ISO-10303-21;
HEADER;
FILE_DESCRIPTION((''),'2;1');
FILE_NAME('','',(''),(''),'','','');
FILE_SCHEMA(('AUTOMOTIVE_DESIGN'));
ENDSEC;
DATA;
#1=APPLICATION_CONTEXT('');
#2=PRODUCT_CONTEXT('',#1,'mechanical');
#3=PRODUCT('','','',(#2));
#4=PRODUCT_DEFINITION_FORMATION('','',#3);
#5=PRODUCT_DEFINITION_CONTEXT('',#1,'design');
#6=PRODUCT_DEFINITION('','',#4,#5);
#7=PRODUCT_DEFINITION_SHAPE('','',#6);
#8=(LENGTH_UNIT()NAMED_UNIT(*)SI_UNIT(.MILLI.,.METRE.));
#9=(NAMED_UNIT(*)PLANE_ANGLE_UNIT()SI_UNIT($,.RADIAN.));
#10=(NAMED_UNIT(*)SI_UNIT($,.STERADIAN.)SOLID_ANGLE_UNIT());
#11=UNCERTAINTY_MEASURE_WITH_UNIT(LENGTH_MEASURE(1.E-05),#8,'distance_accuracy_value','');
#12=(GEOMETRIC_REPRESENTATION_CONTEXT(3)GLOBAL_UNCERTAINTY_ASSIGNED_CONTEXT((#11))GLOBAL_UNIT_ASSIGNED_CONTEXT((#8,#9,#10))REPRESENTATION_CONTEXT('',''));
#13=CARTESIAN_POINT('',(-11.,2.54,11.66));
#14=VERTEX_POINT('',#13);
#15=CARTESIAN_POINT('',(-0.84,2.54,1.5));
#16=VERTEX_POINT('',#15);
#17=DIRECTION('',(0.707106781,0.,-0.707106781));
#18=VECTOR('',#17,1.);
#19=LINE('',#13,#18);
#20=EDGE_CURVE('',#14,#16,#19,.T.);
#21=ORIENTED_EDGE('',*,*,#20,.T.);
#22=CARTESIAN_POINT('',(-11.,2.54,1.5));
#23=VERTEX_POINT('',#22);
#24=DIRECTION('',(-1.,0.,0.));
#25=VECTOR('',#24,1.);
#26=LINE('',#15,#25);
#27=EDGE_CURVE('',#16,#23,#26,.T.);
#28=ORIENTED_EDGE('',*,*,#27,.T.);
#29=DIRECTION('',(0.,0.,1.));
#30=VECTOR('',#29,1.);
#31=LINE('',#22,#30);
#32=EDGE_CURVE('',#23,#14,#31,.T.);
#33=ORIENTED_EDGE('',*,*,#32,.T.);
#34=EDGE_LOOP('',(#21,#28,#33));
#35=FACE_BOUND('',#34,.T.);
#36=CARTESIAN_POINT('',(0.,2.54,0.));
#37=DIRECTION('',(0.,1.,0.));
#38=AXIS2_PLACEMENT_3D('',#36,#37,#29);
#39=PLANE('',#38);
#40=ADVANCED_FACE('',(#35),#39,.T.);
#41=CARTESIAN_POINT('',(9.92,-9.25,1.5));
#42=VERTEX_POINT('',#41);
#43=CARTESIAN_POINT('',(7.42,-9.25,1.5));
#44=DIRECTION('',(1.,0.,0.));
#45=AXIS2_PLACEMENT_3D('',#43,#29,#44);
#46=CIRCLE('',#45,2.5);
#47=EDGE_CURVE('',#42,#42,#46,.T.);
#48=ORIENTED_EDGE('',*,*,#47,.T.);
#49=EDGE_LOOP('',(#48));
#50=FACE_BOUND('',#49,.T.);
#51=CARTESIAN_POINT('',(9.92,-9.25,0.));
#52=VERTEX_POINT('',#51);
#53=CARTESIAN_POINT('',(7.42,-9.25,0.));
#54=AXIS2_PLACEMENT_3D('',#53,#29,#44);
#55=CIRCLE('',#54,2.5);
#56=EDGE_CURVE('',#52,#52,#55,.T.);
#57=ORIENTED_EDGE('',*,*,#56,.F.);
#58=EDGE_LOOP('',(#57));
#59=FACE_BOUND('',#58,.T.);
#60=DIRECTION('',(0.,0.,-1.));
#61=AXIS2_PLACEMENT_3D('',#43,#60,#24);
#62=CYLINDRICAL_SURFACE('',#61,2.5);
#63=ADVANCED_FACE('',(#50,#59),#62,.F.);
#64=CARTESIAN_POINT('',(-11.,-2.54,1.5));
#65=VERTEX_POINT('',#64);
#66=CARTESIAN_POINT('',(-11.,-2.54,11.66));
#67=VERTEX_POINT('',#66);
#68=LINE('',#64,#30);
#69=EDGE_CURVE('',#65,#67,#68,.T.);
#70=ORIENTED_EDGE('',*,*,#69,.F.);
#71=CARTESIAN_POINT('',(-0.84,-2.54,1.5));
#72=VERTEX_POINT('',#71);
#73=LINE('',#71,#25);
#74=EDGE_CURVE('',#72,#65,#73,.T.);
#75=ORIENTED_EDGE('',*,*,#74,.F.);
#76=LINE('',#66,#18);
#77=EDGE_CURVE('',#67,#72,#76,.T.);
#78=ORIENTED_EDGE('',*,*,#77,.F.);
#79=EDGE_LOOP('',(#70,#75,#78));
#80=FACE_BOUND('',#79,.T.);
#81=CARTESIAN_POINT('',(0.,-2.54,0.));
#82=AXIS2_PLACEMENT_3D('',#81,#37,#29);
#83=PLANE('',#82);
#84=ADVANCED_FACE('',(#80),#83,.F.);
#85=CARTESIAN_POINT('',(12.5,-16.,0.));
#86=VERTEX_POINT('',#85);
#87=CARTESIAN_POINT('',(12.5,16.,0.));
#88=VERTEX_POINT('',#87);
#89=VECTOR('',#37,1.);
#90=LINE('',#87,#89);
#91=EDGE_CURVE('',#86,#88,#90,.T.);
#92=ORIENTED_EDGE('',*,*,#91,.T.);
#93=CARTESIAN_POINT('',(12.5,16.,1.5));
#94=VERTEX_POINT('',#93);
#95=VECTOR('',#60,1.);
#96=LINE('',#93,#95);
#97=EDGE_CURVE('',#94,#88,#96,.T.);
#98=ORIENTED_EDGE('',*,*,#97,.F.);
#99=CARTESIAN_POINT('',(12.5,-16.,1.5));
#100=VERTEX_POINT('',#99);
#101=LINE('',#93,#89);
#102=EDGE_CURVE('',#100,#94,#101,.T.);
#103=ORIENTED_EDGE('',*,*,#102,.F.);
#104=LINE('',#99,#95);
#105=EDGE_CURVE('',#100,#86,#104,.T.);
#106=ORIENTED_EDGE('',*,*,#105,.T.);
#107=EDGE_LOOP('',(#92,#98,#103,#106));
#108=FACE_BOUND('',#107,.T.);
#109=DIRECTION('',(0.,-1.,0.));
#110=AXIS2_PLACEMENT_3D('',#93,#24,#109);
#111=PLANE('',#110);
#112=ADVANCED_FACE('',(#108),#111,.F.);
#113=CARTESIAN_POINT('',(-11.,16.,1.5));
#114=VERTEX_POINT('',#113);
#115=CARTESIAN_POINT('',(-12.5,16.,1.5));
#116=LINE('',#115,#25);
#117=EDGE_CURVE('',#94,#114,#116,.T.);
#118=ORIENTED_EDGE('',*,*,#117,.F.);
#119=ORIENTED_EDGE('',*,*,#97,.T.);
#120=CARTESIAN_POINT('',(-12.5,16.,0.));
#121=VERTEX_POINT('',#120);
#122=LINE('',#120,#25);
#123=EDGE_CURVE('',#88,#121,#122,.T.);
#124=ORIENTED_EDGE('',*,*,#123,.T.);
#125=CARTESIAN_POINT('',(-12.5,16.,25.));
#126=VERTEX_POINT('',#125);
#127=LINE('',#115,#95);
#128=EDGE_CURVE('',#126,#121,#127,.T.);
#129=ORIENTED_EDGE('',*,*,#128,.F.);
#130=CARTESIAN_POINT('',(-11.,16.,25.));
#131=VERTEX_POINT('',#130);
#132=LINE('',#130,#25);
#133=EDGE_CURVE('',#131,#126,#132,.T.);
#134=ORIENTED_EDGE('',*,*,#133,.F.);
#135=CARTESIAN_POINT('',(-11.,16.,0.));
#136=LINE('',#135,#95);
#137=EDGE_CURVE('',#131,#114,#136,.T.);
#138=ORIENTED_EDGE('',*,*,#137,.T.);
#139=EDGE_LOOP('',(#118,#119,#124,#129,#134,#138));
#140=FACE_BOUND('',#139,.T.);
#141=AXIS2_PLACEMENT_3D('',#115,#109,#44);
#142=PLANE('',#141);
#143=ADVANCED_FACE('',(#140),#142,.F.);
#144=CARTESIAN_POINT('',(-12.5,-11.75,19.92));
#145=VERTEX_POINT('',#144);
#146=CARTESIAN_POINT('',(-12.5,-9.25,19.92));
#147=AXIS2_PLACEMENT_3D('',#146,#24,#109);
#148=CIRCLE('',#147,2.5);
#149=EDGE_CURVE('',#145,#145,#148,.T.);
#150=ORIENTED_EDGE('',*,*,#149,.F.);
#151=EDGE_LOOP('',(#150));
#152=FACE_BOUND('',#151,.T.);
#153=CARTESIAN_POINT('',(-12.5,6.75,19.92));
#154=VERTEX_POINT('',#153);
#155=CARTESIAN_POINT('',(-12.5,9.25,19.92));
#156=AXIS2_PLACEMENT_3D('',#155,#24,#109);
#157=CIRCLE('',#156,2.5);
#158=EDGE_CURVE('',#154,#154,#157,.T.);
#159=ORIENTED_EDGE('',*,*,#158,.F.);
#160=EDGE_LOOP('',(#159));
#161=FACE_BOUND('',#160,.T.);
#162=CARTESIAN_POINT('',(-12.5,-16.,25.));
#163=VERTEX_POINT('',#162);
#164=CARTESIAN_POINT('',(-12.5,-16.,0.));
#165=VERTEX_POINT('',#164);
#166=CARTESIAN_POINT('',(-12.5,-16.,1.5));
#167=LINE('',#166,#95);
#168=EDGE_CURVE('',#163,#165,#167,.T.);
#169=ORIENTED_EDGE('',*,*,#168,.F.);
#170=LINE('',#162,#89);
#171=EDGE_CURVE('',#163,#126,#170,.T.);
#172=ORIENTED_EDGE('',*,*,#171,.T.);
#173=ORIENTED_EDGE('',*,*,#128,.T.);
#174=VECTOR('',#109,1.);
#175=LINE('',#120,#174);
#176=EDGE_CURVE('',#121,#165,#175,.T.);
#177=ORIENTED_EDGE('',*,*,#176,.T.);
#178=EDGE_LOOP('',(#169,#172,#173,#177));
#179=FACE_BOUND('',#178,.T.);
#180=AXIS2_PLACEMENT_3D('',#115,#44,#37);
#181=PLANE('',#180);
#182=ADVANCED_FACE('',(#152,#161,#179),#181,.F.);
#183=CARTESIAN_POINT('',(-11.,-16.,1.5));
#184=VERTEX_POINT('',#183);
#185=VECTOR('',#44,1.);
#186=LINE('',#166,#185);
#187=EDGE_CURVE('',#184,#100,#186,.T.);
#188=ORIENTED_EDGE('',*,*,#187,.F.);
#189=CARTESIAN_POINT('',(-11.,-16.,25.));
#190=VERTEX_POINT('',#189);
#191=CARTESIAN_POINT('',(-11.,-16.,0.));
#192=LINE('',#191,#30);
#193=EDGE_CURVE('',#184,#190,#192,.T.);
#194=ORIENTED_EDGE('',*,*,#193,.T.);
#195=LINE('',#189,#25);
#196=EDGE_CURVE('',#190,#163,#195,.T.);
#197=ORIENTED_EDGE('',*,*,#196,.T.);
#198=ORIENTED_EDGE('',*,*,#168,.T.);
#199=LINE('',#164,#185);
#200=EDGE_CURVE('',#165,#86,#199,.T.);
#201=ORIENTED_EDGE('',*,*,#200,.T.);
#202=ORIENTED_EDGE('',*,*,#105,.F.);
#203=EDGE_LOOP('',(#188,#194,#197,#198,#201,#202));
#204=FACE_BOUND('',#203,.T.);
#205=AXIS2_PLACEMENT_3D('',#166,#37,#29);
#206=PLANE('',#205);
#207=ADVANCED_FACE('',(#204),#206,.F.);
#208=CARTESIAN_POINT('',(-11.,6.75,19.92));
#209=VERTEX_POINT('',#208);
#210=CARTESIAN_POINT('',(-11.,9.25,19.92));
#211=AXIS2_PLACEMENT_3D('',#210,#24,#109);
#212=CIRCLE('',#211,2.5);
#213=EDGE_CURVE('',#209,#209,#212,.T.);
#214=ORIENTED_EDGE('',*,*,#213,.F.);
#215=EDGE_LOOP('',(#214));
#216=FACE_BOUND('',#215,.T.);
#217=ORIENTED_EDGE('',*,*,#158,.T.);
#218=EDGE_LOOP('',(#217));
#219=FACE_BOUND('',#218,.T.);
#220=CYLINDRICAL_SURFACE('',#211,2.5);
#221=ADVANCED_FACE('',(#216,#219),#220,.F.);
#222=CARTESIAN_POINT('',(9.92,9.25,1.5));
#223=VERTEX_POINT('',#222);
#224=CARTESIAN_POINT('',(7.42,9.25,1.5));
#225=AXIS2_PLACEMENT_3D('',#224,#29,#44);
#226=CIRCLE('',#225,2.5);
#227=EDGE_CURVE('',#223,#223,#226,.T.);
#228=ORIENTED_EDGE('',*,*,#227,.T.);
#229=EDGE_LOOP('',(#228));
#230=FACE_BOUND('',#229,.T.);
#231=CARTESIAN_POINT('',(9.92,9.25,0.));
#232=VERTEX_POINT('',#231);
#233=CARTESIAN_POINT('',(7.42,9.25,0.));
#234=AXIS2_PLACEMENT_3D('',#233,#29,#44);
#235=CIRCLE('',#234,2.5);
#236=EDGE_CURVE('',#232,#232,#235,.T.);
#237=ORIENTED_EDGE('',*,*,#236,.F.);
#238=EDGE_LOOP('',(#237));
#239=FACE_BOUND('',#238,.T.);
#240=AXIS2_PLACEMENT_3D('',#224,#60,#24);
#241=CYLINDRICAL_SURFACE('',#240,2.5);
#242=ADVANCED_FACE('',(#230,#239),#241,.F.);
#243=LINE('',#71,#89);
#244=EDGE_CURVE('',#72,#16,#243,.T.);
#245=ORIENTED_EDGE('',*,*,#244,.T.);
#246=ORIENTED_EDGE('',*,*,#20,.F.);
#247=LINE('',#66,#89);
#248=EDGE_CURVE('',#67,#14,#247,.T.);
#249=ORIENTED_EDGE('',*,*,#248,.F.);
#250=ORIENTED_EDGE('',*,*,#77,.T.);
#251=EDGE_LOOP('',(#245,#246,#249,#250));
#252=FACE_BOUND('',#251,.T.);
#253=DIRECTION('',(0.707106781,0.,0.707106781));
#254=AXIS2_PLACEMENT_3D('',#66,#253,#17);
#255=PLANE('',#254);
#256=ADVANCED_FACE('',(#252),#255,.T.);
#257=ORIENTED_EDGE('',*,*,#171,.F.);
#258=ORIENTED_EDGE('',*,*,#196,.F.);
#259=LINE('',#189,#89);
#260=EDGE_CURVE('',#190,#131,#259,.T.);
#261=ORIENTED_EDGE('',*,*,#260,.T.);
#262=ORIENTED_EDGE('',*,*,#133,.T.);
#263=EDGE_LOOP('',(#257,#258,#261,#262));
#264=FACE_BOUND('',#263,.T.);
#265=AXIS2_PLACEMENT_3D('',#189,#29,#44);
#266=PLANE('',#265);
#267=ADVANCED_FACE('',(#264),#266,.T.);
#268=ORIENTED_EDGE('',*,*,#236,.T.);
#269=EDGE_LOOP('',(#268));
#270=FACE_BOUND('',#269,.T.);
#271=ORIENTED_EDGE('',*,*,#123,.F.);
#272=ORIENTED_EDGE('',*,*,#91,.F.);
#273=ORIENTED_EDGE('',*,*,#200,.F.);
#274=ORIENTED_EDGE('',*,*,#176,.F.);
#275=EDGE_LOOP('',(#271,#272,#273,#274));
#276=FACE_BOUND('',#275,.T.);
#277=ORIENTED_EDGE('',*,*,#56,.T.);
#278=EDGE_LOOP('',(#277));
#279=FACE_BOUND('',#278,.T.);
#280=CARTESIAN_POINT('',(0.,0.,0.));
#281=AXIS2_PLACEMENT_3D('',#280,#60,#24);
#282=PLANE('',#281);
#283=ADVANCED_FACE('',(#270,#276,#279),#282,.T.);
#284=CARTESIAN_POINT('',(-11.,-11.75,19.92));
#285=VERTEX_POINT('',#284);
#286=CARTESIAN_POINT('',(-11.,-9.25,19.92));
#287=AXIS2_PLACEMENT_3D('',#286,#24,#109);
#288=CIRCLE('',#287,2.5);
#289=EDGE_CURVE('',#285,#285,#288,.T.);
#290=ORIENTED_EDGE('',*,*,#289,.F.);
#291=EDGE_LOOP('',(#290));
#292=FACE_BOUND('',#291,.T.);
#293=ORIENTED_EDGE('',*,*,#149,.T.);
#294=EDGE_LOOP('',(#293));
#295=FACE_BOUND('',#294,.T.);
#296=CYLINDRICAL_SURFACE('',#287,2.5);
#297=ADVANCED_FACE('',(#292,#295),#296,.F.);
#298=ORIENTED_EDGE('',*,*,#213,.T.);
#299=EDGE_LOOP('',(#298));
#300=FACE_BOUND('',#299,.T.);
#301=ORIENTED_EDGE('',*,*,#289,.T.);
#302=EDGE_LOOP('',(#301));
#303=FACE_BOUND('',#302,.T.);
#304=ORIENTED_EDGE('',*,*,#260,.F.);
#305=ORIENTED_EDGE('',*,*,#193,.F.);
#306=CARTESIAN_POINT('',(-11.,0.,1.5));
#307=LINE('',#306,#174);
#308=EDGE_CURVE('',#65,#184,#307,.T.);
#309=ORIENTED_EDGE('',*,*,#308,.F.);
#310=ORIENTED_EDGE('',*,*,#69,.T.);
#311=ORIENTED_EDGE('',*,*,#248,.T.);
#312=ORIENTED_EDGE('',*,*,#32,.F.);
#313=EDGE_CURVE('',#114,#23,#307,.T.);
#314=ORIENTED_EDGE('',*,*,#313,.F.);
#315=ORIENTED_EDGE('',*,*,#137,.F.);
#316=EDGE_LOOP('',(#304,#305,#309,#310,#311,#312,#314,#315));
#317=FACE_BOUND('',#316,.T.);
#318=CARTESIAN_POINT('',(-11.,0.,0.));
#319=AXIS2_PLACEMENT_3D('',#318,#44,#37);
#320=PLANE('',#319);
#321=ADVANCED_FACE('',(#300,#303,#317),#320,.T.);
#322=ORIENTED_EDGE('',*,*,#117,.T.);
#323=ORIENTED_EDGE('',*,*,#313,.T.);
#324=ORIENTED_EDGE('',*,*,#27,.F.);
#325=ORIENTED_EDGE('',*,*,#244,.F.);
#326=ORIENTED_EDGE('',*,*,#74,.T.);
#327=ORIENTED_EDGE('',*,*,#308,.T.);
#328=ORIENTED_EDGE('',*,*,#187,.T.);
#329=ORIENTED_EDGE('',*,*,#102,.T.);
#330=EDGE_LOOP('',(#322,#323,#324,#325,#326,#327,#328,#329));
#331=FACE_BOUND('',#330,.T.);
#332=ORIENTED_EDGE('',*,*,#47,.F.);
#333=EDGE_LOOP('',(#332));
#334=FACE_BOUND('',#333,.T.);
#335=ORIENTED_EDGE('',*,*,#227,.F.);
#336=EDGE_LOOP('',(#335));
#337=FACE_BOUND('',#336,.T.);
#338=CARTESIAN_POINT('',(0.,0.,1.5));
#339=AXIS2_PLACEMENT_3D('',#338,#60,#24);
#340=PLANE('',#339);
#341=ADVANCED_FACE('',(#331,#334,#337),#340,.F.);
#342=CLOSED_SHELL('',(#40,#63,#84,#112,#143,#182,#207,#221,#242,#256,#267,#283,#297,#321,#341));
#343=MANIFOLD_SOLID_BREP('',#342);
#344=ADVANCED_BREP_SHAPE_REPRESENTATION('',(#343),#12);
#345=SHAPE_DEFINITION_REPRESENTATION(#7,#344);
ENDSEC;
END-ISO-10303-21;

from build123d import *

# Parameters (mm, degrees)
SKETCH1_W                = 25
SKETCH1_H                = 32
SKETCH1_R                = 2.5
BOSS_EXTRUDE1_DEPTH      = 1.5
SKETCH2_W                = 25
SKETCH2_H                = 32
SKETCH2_R                = 2.5
BOSS_EXTRUDE2_DEPTH      = 1.5
BOSS_EXTRUDE3_DEPTH      = 2.54
BOSS_EXTRUDE3_DEPTH_BACK = 2.54


with BuildPart() as part:
    # Sketch1 → Boss-Extrude1 (new body)
    with BuildSketch(Plane.XY):
        Rectangle(SKETCH1_W, SKETCH1_H)
        with Locations((7.42, -9.25)):
            Circle(SKETCH1_R, mode=Mode.SUBTRACT)
        with Locations((7.42, 9.25)):
            Circle(SKETCH1_R, mode=Mode.SUBTRACT)
    extrude(amount=BOSS_EXTRUDE1_DEPTH)

    # Sketch2 → Boss-Extrude2 (add)
    with BuildSketch(Plane.ZY.offset(12.5)):
        with Locations((12.5, 0)):
            Rectangle(SKETCH2_W, SKETCH2_H)
        with Locations(Location((19.92, -9.25, 0), (0, 0, 270))):
            Circle(SKETCH2_R, mode=Mode.SUBTRACT)
        with Locations(Location((19.92, 9.25, 0), (0, 0, 270))):
            Circle(SKETCH2_R, mode=Mode.SUBTRACT)
    extrude(amount=-BOSS_EXTRUDE2_DEPTH)

    # Sketch3 → Boss-Extrude3 (add, two sides: drawn at the far end of the back side and taken through both)
    with BuildSketch(Plane(origin=(0, 0, 0), x_dir=(1, 0, 0), z_dir=(0, 1, 0)).offset(-BOSS_EXTRUDE3_DEPTH_BACK)):
        Polygon((-11, -1.5), (-11, -11.66), (-0.84, -1.5), align=None)
    extrude(amount=BOSS_EXTRUDE3_DEPTH + BOSS_EXTRUDE3_DEPTH_BACK)


solid = part.part
